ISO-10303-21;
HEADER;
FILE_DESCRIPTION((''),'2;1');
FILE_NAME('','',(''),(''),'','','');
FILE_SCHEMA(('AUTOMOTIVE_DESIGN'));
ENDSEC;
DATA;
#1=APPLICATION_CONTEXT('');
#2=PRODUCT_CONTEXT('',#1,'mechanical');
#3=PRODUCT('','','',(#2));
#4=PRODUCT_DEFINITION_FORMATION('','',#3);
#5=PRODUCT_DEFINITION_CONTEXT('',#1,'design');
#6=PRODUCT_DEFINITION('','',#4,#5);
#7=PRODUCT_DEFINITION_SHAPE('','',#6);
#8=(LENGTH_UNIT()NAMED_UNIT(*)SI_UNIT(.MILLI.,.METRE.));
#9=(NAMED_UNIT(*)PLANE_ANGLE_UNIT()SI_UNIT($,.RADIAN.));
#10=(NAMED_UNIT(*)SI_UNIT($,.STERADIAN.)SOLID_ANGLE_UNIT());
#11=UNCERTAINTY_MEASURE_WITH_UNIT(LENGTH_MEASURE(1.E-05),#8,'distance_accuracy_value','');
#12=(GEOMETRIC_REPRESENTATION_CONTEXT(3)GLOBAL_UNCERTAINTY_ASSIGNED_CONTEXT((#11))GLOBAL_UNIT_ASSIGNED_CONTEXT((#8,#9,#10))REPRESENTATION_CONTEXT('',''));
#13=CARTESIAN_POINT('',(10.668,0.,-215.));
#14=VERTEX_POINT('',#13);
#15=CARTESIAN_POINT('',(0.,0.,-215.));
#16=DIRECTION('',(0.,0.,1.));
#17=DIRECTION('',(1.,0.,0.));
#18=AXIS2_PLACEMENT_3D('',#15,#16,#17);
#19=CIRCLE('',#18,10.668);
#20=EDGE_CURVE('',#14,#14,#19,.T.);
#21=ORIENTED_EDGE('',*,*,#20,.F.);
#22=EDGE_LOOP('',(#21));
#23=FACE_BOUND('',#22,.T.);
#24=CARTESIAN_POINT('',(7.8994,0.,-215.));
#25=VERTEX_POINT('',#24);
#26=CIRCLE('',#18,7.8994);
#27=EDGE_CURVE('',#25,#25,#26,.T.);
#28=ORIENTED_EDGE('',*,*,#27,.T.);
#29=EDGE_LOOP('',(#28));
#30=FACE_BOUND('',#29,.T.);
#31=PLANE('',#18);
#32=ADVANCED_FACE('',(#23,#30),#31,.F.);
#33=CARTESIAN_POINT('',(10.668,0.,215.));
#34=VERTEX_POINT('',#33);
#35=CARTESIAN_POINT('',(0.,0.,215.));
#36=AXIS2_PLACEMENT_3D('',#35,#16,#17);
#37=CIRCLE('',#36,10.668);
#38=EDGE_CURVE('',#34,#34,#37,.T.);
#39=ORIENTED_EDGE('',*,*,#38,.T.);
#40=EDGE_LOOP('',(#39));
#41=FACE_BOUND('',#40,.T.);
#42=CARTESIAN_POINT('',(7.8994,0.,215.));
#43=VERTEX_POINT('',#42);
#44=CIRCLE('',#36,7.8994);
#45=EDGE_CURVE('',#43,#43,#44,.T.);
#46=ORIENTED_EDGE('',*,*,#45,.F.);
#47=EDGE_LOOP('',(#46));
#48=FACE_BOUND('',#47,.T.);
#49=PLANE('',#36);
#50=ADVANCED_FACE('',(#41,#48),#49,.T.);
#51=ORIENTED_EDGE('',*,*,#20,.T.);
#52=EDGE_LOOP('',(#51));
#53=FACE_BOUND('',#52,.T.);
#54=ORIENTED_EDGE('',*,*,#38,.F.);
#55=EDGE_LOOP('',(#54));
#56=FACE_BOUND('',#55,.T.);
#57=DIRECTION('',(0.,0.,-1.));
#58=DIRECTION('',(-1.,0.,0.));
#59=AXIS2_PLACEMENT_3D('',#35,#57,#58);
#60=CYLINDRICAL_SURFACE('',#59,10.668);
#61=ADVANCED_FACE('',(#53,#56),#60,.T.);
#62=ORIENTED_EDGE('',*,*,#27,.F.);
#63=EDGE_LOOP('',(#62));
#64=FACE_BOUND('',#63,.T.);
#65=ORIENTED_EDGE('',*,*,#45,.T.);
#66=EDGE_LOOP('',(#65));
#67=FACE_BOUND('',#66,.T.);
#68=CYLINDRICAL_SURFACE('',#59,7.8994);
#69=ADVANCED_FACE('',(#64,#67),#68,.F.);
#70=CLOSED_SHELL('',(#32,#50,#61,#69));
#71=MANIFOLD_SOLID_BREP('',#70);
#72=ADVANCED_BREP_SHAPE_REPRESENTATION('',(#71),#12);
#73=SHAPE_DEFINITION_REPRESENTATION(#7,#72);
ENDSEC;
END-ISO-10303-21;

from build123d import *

# Parameters (mm, degrees)
SKETCH1_R           = 10.668
SKETCH1_R_2         = 7.8994
EXTRUDE_THIN1_DEPTH = 215


with BuildPart() as part:
    # Sketch1 → Extrude-Thin1 (new, symmetric)
    with BuildSketch(Plane.XY):
        Circle(SKETCH1_R)
        Circle(SKETCH1_R_2, mode=Mode.SUBTRACT)
    extrude(amount=EXTRUDE_THIN1_DEPTH, both=True)


solid = part.part
